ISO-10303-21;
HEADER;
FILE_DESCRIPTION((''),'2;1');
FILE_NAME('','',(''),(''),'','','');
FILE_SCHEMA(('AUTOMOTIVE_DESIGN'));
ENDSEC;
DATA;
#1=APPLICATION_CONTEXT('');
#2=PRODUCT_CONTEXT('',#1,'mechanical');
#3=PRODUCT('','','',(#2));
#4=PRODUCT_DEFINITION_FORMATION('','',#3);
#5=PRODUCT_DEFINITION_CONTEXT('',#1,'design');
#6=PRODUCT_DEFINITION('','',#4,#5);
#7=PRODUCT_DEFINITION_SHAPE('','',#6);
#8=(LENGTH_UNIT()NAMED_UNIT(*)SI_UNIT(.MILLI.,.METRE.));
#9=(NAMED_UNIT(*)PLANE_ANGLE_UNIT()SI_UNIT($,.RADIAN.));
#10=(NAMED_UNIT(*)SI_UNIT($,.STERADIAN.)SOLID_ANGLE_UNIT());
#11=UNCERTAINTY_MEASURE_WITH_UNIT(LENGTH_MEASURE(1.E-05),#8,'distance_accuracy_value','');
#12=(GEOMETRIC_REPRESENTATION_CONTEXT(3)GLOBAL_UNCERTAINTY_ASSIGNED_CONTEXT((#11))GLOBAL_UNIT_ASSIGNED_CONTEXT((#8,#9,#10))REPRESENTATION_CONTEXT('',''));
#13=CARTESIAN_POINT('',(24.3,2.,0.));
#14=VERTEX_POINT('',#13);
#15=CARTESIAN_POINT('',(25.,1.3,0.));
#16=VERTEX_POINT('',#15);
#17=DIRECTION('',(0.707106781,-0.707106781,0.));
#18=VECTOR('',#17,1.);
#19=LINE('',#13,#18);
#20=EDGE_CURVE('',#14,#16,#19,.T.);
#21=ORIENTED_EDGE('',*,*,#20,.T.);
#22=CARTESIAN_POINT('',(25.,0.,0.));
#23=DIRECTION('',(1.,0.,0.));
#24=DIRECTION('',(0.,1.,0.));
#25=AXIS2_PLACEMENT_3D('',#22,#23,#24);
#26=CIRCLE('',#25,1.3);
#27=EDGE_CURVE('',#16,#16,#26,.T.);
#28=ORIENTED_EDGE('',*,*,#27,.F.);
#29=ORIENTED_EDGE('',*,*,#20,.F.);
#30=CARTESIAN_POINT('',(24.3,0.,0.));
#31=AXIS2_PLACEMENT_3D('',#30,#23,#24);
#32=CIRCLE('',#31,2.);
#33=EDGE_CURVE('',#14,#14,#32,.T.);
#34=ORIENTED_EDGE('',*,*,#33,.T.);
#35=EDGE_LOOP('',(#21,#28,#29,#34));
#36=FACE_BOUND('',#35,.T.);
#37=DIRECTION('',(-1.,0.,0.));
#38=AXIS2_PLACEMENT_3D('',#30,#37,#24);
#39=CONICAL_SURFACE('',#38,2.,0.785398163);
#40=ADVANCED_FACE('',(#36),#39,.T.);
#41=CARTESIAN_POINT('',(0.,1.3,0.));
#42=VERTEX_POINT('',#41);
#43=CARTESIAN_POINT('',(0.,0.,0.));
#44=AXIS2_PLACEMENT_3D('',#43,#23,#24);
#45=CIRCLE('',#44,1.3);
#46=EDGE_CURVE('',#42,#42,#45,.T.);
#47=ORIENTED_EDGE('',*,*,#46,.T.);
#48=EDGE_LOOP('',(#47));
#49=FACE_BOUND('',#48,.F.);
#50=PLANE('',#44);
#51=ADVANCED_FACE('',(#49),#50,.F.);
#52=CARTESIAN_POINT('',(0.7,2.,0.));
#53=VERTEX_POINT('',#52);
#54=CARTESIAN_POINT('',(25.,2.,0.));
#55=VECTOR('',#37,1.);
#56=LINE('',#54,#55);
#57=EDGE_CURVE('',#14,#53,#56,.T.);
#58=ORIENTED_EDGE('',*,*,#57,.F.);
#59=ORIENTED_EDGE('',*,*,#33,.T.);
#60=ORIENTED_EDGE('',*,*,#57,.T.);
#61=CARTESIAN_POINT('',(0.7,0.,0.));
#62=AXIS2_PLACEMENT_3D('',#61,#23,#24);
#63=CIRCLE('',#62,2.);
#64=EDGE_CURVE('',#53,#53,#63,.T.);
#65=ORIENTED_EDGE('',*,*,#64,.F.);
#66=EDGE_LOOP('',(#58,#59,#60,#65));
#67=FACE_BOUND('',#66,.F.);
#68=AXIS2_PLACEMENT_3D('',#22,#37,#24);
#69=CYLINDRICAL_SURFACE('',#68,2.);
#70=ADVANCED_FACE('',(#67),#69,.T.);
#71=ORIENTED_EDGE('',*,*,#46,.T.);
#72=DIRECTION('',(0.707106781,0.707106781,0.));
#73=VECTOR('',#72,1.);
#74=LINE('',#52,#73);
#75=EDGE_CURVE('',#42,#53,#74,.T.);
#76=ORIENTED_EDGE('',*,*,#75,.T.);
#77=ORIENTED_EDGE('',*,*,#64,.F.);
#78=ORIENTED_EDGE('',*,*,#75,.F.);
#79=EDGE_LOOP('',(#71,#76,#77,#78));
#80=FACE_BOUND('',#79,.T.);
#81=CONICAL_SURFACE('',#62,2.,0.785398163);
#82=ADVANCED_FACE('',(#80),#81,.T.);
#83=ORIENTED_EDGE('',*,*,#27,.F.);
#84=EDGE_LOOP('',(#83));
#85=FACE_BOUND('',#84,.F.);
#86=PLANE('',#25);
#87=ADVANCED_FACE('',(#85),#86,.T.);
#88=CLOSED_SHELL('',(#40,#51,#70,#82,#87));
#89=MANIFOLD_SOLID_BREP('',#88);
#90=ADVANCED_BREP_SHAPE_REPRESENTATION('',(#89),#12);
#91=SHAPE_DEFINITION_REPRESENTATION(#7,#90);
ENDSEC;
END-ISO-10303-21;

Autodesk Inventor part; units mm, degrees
ref_plane "Plan YZ" through (0, 0, 0) normal (1, 0, 0) x (0, 1, 0)
ref_plane "Plan XZ" through (0, 0, 0) normal (0, 1, 0) x (-1, 0, 0)
ref_plane "Plan XY" through (0, 0, 0) normal (0, 0, 1) x (1, 0, 0)
sketch "Esquisse1" plane through (0, 0, 0) normal (0, 0, 1) x (1, 0, 0)
  line L0 (0, 0) -> (25, 0)
  line L1 (25, 0) -> (25, 2)
  line L2 (25, 2) -> (0, 2)
  line L3 (0, 2) -> (0, 0)
  line L4 (-5, 0) -> (30, 0) construction
  dimension "d0" = 4
  dimension "d1" = 25
revolve "Révolution1" add sketch "Esquisse1" angle 360 about axis through (-10, 0, 0) along (1, 0, 0)
thread "Filetage1" size "M4x0.7" designation "M4" class "6g" standard "ISO M" full length
chamfer "Chanfrein1" distance 0.7 angle 45 2 edges at (25, -2, 0) (0, -2, 0)
properties part number "BN425_M4x25" material "Acier zingué-bleu"
